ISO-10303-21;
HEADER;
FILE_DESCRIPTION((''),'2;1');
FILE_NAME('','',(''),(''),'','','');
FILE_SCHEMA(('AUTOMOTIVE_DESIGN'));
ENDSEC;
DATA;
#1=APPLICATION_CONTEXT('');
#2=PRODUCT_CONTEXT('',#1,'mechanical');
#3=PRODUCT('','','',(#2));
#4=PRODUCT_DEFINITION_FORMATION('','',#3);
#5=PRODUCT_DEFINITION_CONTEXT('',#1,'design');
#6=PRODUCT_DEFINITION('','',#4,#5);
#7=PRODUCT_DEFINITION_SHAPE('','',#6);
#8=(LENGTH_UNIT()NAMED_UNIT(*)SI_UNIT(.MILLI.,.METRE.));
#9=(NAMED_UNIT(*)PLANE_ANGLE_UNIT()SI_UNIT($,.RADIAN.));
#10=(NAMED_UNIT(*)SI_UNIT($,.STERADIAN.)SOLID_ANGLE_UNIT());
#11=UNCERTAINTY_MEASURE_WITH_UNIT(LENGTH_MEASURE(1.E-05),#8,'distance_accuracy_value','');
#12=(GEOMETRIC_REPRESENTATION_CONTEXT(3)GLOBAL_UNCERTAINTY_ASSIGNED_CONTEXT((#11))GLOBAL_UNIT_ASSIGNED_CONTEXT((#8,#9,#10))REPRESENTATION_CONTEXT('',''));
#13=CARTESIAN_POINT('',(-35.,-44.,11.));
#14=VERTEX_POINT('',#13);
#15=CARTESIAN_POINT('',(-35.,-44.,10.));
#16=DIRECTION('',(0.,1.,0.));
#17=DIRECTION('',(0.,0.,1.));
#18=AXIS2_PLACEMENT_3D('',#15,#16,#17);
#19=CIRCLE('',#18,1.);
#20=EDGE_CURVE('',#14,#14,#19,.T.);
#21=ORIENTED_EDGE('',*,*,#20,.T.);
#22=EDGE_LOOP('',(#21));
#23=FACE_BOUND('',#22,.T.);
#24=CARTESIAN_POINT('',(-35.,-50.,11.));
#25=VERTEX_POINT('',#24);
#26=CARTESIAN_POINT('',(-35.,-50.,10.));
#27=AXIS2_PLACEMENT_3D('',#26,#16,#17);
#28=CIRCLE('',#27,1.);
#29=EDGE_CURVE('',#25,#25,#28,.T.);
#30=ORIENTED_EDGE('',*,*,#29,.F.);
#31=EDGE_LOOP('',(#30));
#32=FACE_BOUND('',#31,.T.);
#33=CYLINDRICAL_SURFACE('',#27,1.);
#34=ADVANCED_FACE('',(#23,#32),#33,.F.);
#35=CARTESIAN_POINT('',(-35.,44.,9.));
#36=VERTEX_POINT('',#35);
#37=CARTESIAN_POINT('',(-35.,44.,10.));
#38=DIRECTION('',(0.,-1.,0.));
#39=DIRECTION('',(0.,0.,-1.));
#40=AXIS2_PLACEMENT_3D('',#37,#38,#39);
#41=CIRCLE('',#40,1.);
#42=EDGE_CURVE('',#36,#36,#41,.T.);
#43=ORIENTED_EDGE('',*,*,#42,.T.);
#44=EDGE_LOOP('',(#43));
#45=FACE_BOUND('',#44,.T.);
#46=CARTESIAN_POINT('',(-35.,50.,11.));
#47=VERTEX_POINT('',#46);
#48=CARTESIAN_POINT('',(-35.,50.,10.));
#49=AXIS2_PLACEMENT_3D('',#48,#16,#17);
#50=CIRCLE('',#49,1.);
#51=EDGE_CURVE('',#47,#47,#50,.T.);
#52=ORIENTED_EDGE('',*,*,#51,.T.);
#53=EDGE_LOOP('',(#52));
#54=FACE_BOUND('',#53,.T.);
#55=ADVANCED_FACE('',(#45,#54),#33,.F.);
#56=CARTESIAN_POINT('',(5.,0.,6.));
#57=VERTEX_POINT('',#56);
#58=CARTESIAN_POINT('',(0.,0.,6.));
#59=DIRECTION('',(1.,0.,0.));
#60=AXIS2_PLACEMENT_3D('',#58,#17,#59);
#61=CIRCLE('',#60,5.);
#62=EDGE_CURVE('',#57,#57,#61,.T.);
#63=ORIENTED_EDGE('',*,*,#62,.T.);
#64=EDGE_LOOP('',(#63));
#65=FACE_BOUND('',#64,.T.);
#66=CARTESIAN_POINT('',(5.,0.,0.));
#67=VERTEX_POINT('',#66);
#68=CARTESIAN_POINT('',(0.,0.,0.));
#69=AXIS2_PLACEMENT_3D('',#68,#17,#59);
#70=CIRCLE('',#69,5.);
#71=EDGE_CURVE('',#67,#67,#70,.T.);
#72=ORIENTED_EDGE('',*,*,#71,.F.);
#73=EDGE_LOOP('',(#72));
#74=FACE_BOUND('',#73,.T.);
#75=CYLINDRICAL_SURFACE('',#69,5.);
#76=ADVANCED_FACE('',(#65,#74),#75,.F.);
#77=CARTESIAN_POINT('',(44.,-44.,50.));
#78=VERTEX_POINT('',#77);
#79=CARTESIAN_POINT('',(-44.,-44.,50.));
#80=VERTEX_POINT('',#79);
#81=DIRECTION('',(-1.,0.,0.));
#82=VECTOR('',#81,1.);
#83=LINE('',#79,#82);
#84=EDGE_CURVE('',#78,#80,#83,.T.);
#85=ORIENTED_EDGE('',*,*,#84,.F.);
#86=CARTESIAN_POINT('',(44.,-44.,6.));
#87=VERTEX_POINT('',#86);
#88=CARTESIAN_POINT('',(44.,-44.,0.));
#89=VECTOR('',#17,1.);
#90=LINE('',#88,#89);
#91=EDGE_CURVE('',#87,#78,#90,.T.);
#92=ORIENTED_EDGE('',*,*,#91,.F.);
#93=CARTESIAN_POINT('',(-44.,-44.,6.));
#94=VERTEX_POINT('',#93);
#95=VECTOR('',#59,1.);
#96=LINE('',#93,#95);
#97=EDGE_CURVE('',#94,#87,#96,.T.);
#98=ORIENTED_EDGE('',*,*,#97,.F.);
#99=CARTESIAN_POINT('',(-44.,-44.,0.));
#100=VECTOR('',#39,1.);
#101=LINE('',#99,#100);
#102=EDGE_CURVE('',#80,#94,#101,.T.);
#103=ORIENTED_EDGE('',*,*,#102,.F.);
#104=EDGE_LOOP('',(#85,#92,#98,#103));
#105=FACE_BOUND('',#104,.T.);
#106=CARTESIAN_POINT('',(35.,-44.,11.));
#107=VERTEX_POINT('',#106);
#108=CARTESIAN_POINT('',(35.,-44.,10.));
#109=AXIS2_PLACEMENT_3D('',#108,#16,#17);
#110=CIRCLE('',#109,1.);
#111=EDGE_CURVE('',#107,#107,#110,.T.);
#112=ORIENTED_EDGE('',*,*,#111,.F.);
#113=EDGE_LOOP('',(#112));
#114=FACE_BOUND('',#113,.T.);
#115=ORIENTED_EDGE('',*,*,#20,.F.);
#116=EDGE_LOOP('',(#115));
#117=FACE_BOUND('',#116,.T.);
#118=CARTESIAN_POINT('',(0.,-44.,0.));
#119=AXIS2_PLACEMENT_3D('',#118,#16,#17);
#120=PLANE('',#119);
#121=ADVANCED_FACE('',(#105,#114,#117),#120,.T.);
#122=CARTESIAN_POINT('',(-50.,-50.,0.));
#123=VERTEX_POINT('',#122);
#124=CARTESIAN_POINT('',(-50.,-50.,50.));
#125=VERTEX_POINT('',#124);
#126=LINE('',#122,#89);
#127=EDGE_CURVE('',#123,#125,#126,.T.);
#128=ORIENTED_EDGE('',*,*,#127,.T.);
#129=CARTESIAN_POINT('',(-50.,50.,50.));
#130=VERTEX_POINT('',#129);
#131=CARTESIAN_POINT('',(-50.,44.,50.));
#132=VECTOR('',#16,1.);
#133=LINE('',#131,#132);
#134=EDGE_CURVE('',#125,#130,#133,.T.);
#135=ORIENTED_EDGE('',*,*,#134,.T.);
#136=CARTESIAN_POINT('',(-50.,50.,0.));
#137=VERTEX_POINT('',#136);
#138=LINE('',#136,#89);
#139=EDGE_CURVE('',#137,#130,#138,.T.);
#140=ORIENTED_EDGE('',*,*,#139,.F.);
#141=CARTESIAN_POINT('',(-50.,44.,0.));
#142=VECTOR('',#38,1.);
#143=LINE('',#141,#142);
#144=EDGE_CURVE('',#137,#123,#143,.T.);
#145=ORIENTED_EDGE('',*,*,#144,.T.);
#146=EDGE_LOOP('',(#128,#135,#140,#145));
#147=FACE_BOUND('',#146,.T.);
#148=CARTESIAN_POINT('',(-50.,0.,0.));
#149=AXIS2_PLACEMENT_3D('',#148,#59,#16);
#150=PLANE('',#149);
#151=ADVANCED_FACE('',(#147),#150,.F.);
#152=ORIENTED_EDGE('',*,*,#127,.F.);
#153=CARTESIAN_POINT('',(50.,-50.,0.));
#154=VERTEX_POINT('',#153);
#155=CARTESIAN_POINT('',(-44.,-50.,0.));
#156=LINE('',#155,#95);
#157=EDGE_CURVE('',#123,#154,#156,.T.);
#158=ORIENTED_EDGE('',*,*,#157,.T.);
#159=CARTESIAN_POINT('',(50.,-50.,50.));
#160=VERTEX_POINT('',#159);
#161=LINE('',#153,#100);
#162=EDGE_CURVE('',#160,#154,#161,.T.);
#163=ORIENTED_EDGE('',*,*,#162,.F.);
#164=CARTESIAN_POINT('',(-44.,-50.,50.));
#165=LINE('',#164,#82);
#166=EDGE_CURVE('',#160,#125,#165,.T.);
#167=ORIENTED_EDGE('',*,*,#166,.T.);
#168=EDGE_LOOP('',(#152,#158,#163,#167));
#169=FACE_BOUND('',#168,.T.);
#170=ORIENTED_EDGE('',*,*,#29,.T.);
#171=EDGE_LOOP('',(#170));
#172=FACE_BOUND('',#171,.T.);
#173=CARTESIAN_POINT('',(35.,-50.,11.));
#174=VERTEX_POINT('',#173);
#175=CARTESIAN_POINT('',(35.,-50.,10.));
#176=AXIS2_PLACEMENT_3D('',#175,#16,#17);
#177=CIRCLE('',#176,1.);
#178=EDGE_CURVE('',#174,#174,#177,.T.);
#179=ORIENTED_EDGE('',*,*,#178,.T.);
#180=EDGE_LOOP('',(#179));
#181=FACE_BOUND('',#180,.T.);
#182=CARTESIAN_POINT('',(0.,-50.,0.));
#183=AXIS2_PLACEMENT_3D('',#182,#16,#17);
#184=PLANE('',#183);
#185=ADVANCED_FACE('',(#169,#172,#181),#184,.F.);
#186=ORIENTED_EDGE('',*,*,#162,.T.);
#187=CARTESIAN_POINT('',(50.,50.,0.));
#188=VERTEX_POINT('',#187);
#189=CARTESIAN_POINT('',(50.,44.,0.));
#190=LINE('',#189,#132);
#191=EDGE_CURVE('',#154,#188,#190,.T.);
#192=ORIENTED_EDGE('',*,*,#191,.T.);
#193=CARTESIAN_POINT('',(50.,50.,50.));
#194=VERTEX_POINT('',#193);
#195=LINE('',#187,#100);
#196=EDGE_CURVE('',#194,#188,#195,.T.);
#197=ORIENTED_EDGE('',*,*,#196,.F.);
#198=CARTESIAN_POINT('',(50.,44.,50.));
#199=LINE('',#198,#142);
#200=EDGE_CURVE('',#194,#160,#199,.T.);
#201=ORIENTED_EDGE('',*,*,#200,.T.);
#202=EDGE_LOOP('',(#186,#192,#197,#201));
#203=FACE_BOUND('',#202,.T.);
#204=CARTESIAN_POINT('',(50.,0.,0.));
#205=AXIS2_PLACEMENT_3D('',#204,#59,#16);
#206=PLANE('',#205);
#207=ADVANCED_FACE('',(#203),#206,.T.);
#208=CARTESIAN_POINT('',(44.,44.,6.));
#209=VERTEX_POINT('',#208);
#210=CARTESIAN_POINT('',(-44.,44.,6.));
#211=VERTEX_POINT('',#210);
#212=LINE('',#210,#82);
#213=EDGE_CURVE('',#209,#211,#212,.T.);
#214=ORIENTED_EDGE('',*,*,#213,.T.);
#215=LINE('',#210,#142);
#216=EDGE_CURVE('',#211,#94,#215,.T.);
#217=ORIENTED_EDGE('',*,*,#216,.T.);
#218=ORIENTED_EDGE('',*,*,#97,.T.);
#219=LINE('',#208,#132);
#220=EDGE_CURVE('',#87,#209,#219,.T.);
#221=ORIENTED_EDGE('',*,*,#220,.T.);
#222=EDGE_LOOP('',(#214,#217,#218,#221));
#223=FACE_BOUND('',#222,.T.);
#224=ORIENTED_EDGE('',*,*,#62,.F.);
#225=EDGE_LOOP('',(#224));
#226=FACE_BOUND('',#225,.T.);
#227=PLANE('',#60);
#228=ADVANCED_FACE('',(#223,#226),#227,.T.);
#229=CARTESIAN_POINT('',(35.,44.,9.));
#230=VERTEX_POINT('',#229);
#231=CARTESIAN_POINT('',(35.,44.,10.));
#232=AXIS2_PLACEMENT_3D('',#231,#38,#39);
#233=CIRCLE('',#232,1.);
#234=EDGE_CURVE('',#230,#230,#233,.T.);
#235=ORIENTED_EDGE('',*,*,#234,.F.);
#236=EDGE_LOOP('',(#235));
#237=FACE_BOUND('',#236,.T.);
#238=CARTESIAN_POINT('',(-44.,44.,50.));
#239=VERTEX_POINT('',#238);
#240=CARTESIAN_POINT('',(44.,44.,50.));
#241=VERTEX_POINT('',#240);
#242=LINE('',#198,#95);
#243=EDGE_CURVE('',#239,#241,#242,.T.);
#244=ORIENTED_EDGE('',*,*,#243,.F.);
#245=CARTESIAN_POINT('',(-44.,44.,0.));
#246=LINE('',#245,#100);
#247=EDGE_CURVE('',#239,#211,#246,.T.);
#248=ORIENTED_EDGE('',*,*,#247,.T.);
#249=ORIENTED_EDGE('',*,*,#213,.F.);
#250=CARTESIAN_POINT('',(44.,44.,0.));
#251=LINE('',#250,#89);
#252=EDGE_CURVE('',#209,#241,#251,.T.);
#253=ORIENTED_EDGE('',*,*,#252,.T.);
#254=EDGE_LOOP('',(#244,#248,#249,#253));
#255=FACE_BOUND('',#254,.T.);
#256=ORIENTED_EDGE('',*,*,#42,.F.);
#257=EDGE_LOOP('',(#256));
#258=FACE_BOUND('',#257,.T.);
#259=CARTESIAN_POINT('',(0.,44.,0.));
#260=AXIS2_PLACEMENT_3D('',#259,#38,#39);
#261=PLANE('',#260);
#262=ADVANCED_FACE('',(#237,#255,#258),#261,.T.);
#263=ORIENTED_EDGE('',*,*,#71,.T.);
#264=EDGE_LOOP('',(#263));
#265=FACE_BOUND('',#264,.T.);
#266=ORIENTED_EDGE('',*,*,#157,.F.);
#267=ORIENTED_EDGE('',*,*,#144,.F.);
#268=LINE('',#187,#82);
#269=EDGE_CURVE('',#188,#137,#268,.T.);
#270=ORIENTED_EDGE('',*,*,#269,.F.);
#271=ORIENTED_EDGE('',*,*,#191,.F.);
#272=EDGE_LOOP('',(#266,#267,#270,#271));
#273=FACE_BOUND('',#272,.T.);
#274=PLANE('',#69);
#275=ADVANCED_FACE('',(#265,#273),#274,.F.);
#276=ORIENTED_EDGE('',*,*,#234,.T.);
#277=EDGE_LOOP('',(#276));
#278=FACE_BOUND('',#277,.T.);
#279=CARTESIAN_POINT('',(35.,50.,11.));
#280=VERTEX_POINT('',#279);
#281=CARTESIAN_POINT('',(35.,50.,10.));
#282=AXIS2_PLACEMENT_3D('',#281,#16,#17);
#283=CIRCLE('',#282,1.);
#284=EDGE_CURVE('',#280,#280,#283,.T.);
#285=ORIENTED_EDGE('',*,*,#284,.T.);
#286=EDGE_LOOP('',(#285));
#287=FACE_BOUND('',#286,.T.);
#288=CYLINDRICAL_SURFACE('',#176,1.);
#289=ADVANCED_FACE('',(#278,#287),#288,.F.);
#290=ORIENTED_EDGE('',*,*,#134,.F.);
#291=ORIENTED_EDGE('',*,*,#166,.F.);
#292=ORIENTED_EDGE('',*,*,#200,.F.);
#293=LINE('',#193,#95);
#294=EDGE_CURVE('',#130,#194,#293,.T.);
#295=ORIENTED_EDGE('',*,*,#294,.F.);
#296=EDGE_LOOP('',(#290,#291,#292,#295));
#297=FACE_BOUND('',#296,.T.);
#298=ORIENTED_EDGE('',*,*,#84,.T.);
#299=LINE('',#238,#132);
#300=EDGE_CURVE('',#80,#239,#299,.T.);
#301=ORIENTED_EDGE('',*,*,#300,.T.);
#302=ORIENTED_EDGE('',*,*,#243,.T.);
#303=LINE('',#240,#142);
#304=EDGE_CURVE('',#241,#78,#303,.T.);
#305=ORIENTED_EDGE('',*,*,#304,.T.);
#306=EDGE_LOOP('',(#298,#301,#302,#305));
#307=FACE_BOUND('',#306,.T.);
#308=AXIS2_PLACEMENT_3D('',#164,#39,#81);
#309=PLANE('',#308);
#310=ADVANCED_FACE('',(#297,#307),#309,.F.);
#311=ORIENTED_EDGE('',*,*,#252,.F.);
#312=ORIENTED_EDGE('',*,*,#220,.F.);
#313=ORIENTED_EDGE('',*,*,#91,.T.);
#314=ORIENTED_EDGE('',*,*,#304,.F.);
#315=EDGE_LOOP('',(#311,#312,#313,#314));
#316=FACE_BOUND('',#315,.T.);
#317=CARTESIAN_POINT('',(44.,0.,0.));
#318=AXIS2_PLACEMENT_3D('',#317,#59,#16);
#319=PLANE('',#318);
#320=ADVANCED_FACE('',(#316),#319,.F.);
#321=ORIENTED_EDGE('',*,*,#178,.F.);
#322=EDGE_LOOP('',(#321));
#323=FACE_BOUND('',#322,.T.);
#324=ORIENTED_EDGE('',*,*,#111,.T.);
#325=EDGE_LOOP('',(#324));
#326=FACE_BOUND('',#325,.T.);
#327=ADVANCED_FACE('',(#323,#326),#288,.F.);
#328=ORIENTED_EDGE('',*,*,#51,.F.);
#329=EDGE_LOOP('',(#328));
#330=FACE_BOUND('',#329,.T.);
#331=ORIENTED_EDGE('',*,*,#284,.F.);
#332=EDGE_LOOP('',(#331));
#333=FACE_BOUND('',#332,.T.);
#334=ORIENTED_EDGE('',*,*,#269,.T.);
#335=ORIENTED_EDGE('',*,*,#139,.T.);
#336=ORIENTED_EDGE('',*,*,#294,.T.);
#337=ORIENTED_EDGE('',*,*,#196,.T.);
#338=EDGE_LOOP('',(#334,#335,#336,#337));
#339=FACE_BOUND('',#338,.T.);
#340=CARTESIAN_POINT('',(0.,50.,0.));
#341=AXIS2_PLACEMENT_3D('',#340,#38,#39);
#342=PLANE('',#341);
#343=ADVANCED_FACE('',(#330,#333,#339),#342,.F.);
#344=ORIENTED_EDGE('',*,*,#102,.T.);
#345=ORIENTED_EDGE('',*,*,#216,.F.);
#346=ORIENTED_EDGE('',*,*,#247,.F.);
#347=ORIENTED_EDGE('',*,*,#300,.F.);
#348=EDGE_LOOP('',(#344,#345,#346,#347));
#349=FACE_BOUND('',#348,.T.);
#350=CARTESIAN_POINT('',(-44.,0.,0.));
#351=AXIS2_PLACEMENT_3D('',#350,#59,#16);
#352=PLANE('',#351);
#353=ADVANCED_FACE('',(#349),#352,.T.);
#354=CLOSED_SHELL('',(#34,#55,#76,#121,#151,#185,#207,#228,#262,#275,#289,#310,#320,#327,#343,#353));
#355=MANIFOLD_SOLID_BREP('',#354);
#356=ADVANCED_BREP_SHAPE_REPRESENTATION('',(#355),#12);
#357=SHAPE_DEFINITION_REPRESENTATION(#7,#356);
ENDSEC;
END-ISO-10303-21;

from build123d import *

# Parameters (mm, degrees)
ESQUISSE1_W             = 88
ESQUISSE1_H             = 88
BOSS_EXTRU_1_DEPTH      = 6
ESQUISSE2_R             = 5
ENL_V_MAT_EXTRU_1_DEPTH = 6
ESQUISSE3_W             = 88
ESQUISSE3_H             = 50
BOSS_EXTRU_2_DEPTH      = 6
ESQUISSE4_W             = 50
ESQUISSE4_H             = 94
BOSS_EXTRU_3_DEPTH      = 6
ESQUISSE5_W             = 50
ESQUISSE5_H             = 94
BOSS_EXTRU_4_DEPTH      = 6
ESQUISSE6_W             = 100
ESQUISSE6_H             = 50
BOSS_EXTRU_5_DEPTH      = 6
ESQUISSE7_R             = 1
ENL_V_MAT_EXTRU_2_DEPTH = 100


with BuildPart() as part:
    # Esquisse1 → Boss.-Extru.1 (new body)
    with BuildSketch(Plane.XY):
        Rectangle(ESQUISSE1_W, ESQUISSE1_H)
    extrude(amount=BOSS_EXTRU_1_DEPTH)

    # Esquisse2 → Enlèv. mat.-Extru.1 (cut)
    with BuildSketch(Plane.XY.offset(6)):
        Circle(ESQUISSE2_R)
    extrude(amount=-ENL_V_MAT_EXTRU_1_DEPTH, mode=Mode.SUBTRACT)

    # Esquisse3 → Boss.-Extru.2 (add)
    with BuildSketch(Plane(origin=(0, -44, 0), x_dir=(-1, 0, 0), z_dir=(0, -1, 0))):
        with Locations((0, -25)):
            Rectangle(ESQUISSE3_W, ESQUISSE3_H)
    extrude(amount=BOSS_EXTRU_2_DEPTH)

    # Esquisse4 → Boss.-Extru.3 (add)
    with BuildSketch(Plane.ZY.offset(44)):
        with Locations((25, -3)):
            Rectangle(ESQUISSE4_W, ESQUISSE4_H)
    extrude(amount=BOSS_EXTRU_3_DEPTH)

    # Esquisse5 → Boss.-Extru.4 (add)
    with BuildSketch(Plane(origin=(44, 0, 0), x_dir=(0, 0, -1), z_dir=(1, 0, 0))):
        with Locations((-25, -3)):
            Rectangle(ESQUISSE5_W, ESQUISSE5_H)
    extrude(amount=BOSS_EXTRU_4_DEPTH)

    # Esquisse6 → Boss.-Extru.5 (add)
    with BuildSketch(Plane(origin=(0, 44, 0), x_dir=(1, 0, 0), z_dir=(0, 1, 0))):
        with Locations((0, -25)):
            Rectangle(ESQUISSE6_W, ESQUISSE6_H)
    extrude(amount=BOSS_EXTRU_5_DEPTH)

    # Esquisse7 → Enlèv. mat.-Extru.2 (cut)
    with BuildSketch(Plane(origin=(0, 50, 0), x_dir=(1, 0, 0), z_dir=(0, 1, 0))):
        with Locations(Location((35, -10, 0), (0, 0, 270))):
            Circle(ESQUISSE7_R)
        with Locations(Location((-35, -10, 0), (0, 0, 270))):
            Circle(ESQUISSE7_R)
    extrude(amount=-ENL_V_MAT_EXTRU_2_DEPTH, mode=Mode.SUBTRACT)


solid = part.part
